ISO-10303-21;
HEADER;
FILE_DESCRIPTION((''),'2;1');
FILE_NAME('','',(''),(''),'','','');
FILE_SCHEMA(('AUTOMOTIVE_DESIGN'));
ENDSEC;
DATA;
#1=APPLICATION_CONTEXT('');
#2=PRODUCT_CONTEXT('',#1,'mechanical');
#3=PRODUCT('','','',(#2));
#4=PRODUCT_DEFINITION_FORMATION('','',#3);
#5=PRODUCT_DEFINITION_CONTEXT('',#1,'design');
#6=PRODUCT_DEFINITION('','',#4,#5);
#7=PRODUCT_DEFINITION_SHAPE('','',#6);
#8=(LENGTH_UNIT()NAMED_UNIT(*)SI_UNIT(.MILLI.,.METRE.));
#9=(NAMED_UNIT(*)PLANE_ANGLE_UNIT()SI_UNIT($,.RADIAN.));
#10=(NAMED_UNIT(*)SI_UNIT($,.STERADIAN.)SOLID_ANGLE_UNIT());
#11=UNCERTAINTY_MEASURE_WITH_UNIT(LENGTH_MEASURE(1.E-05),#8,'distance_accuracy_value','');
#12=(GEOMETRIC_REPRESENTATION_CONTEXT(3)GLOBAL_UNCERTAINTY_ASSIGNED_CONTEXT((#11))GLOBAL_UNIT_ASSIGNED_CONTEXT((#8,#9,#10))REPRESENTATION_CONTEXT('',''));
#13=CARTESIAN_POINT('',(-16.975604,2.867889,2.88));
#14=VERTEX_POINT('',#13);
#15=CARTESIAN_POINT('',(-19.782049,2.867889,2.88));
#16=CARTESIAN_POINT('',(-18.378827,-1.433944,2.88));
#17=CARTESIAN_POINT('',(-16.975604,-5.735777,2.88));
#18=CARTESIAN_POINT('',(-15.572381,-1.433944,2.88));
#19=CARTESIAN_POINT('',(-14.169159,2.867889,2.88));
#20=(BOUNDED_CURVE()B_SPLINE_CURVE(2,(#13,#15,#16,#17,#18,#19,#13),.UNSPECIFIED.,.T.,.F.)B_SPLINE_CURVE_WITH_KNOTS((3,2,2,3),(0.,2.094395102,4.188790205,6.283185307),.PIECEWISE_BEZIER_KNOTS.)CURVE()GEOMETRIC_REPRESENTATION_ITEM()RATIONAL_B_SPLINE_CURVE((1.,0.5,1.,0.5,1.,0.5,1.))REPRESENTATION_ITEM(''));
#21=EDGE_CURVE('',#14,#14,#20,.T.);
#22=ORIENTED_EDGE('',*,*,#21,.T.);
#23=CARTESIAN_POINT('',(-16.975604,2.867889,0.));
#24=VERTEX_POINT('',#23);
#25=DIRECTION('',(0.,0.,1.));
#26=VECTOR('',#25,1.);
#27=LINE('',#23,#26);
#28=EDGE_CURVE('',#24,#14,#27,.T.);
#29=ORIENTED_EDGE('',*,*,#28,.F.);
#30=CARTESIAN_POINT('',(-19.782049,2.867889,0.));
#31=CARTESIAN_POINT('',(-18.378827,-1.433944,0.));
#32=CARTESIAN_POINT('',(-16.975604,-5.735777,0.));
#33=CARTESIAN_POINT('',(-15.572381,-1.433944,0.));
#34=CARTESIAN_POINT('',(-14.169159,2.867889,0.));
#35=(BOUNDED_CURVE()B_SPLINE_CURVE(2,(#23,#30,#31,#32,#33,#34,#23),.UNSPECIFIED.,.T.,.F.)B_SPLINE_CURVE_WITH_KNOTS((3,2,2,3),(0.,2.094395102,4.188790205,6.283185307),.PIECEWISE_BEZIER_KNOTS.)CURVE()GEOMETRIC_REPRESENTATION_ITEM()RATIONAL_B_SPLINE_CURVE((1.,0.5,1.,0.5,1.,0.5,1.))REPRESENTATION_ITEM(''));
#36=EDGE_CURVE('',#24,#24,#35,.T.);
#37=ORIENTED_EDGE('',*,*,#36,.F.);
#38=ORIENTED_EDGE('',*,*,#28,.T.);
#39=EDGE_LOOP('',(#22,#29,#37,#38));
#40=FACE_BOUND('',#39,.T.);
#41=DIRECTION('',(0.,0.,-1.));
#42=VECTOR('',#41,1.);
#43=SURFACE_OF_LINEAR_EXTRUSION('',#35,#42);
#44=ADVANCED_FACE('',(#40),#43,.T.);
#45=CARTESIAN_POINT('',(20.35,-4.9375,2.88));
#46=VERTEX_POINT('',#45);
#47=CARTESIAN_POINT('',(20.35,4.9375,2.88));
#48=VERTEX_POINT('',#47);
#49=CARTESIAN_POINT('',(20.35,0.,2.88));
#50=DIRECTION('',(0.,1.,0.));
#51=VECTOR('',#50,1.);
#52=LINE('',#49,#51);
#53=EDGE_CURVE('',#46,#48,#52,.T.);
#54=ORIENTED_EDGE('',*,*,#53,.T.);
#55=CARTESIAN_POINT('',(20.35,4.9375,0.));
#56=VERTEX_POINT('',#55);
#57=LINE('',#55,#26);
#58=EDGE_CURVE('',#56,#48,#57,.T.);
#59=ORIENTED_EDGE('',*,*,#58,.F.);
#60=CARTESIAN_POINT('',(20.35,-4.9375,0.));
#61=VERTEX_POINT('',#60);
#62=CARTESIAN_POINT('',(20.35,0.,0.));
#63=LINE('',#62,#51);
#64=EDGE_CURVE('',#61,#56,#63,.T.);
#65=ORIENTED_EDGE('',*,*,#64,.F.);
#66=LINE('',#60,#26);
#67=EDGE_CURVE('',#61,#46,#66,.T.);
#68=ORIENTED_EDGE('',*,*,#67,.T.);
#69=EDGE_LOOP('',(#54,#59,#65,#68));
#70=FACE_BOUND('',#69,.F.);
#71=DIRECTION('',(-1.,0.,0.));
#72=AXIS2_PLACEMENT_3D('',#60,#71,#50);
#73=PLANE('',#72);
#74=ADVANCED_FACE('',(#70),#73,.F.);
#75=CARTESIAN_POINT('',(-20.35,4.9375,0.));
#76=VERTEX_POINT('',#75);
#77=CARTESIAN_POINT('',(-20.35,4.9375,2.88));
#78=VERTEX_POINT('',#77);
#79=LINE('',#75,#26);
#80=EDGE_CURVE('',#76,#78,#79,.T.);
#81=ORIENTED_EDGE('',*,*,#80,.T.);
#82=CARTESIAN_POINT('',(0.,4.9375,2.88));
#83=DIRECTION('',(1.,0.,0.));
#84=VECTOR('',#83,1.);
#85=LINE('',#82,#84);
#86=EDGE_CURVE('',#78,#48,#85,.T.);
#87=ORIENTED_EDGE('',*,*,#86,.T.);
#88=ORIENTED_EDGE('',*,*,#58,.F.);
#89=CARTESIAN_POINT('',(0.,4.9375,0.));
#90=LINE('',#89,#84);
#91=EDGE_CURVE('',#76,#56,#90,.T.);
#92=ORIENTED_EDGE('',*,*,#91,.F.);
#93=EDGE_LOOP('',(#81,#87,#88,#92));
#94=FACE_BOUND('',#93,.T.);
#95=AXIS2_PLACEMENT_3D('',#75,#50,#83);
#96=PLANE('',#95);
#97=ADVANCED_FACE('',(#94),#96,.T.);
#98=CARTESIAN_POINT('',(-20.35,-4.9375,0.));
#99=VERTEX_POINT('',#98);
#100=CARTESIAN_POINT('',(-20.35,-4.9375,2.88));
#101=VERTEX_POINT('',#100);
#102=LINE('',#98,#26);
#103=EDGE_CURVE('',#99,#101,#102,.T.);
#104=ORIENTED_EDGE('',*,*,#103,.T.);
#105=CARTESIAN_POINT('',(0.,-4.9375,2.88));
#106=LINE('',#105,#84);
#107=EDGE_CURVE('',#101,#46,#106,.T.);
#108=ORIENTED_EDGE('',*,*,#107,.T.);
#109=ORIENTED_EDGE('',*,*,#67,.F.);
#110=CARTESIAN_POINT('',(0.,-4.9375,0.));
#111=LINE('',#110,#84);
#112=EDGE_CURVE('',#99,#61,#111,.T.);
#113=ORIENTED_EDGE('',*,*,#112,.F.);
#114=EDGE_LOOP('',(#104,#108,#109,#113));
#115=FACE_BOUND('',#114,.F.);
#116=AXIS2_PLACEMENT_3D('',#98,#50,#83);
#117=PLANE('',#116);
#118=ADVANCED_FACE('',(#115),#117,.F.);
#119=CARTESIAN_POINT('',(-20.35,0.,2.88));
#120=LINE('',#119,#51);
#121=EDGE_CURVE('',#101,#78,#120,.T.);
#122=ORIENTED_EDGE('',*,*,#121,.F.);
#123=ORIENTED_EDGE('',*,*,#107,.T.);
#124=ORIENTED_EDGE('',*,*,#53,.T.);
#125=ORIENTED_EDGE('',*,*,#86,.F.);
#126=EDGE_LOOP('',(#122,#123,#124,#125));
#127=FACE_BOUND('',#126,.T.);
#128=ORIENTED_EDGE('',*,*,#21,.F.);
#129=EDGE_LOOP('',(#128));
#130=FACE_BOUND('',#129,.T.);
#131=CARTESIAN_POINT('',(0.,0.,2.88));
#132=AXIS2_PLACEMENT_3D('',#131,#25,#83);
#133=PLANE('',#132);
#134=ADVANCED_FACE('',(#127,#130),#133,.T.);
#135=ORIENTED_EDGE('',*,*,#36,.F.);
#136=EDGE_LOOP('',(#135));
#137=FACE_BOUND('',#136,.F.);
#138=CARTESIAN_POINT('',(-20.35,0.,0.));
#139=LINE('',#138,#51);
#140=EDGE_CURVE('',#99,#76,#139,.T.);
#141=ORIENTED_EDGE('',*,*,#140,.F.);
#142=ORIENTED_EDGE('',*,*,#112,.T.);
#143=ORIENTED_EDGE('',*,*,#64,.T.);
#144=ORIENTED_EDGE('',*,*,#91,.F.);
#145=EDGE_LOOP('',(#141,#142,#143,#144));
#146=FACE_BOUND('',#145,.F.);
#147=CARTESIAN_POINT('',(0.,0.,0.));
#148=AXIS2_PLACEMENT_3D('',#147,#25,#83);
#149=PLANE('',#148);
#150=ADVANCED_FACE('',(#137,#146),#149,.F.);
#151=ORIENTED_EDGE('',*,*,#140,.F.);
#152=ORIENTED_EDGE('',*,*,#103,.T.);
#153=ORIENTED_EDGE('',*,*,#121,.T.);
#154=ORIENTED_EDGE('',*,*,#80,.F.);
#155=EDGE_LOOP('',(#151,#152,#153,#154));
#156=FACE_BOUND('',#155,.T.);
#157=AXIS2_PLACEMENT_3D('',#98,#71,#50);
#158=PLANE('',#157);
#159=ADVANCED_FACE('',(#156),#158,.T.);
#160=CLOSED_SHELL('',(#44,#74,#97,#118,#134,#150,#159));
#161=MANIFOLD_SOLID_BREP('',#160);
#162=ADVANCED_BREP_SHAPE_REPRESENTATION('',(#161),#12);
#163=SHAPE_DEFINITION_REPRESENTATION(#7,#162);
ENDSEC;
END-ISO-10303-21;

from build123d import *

# Parameters (mm, degrees)
F0_W     = 40.7
F0_H     = 9.875
F1_DEPTH = 2.88


with BuildPart() as f1:
    # F0 (on Top) → F1 (new body)
    with BuildSketch(Plane.XY):
        Rectangle(F0_W, F0_H)
        with BuildLine():
            add(Edge.make_bspline(
                [(-16.9756039977, 2.8678886592), (-19.7820491915, 2.8678886592), (-18.3788265946, -1.4339443296), (-16.9756039977, -5.7357773185), (-15.5723814008, -1.4339443296), (-14.1691588039, 2.8678886592), (-16.9756039977, 2.8678886592)],
                knots=[0, 0, 0, 2.0943951024, 2.0943951024, 4.1887902048, 4.1887902048, 6.2831853072, 6.2831853072, 6.2831853072], degree=2, weights=[1, 0.5, 1, 0.5, 1, 0.5, 1]))
        make_face(mode=Mode.SUBTRACT)
    extrude(amount=F1_DEPTH)


solid = f1.part
